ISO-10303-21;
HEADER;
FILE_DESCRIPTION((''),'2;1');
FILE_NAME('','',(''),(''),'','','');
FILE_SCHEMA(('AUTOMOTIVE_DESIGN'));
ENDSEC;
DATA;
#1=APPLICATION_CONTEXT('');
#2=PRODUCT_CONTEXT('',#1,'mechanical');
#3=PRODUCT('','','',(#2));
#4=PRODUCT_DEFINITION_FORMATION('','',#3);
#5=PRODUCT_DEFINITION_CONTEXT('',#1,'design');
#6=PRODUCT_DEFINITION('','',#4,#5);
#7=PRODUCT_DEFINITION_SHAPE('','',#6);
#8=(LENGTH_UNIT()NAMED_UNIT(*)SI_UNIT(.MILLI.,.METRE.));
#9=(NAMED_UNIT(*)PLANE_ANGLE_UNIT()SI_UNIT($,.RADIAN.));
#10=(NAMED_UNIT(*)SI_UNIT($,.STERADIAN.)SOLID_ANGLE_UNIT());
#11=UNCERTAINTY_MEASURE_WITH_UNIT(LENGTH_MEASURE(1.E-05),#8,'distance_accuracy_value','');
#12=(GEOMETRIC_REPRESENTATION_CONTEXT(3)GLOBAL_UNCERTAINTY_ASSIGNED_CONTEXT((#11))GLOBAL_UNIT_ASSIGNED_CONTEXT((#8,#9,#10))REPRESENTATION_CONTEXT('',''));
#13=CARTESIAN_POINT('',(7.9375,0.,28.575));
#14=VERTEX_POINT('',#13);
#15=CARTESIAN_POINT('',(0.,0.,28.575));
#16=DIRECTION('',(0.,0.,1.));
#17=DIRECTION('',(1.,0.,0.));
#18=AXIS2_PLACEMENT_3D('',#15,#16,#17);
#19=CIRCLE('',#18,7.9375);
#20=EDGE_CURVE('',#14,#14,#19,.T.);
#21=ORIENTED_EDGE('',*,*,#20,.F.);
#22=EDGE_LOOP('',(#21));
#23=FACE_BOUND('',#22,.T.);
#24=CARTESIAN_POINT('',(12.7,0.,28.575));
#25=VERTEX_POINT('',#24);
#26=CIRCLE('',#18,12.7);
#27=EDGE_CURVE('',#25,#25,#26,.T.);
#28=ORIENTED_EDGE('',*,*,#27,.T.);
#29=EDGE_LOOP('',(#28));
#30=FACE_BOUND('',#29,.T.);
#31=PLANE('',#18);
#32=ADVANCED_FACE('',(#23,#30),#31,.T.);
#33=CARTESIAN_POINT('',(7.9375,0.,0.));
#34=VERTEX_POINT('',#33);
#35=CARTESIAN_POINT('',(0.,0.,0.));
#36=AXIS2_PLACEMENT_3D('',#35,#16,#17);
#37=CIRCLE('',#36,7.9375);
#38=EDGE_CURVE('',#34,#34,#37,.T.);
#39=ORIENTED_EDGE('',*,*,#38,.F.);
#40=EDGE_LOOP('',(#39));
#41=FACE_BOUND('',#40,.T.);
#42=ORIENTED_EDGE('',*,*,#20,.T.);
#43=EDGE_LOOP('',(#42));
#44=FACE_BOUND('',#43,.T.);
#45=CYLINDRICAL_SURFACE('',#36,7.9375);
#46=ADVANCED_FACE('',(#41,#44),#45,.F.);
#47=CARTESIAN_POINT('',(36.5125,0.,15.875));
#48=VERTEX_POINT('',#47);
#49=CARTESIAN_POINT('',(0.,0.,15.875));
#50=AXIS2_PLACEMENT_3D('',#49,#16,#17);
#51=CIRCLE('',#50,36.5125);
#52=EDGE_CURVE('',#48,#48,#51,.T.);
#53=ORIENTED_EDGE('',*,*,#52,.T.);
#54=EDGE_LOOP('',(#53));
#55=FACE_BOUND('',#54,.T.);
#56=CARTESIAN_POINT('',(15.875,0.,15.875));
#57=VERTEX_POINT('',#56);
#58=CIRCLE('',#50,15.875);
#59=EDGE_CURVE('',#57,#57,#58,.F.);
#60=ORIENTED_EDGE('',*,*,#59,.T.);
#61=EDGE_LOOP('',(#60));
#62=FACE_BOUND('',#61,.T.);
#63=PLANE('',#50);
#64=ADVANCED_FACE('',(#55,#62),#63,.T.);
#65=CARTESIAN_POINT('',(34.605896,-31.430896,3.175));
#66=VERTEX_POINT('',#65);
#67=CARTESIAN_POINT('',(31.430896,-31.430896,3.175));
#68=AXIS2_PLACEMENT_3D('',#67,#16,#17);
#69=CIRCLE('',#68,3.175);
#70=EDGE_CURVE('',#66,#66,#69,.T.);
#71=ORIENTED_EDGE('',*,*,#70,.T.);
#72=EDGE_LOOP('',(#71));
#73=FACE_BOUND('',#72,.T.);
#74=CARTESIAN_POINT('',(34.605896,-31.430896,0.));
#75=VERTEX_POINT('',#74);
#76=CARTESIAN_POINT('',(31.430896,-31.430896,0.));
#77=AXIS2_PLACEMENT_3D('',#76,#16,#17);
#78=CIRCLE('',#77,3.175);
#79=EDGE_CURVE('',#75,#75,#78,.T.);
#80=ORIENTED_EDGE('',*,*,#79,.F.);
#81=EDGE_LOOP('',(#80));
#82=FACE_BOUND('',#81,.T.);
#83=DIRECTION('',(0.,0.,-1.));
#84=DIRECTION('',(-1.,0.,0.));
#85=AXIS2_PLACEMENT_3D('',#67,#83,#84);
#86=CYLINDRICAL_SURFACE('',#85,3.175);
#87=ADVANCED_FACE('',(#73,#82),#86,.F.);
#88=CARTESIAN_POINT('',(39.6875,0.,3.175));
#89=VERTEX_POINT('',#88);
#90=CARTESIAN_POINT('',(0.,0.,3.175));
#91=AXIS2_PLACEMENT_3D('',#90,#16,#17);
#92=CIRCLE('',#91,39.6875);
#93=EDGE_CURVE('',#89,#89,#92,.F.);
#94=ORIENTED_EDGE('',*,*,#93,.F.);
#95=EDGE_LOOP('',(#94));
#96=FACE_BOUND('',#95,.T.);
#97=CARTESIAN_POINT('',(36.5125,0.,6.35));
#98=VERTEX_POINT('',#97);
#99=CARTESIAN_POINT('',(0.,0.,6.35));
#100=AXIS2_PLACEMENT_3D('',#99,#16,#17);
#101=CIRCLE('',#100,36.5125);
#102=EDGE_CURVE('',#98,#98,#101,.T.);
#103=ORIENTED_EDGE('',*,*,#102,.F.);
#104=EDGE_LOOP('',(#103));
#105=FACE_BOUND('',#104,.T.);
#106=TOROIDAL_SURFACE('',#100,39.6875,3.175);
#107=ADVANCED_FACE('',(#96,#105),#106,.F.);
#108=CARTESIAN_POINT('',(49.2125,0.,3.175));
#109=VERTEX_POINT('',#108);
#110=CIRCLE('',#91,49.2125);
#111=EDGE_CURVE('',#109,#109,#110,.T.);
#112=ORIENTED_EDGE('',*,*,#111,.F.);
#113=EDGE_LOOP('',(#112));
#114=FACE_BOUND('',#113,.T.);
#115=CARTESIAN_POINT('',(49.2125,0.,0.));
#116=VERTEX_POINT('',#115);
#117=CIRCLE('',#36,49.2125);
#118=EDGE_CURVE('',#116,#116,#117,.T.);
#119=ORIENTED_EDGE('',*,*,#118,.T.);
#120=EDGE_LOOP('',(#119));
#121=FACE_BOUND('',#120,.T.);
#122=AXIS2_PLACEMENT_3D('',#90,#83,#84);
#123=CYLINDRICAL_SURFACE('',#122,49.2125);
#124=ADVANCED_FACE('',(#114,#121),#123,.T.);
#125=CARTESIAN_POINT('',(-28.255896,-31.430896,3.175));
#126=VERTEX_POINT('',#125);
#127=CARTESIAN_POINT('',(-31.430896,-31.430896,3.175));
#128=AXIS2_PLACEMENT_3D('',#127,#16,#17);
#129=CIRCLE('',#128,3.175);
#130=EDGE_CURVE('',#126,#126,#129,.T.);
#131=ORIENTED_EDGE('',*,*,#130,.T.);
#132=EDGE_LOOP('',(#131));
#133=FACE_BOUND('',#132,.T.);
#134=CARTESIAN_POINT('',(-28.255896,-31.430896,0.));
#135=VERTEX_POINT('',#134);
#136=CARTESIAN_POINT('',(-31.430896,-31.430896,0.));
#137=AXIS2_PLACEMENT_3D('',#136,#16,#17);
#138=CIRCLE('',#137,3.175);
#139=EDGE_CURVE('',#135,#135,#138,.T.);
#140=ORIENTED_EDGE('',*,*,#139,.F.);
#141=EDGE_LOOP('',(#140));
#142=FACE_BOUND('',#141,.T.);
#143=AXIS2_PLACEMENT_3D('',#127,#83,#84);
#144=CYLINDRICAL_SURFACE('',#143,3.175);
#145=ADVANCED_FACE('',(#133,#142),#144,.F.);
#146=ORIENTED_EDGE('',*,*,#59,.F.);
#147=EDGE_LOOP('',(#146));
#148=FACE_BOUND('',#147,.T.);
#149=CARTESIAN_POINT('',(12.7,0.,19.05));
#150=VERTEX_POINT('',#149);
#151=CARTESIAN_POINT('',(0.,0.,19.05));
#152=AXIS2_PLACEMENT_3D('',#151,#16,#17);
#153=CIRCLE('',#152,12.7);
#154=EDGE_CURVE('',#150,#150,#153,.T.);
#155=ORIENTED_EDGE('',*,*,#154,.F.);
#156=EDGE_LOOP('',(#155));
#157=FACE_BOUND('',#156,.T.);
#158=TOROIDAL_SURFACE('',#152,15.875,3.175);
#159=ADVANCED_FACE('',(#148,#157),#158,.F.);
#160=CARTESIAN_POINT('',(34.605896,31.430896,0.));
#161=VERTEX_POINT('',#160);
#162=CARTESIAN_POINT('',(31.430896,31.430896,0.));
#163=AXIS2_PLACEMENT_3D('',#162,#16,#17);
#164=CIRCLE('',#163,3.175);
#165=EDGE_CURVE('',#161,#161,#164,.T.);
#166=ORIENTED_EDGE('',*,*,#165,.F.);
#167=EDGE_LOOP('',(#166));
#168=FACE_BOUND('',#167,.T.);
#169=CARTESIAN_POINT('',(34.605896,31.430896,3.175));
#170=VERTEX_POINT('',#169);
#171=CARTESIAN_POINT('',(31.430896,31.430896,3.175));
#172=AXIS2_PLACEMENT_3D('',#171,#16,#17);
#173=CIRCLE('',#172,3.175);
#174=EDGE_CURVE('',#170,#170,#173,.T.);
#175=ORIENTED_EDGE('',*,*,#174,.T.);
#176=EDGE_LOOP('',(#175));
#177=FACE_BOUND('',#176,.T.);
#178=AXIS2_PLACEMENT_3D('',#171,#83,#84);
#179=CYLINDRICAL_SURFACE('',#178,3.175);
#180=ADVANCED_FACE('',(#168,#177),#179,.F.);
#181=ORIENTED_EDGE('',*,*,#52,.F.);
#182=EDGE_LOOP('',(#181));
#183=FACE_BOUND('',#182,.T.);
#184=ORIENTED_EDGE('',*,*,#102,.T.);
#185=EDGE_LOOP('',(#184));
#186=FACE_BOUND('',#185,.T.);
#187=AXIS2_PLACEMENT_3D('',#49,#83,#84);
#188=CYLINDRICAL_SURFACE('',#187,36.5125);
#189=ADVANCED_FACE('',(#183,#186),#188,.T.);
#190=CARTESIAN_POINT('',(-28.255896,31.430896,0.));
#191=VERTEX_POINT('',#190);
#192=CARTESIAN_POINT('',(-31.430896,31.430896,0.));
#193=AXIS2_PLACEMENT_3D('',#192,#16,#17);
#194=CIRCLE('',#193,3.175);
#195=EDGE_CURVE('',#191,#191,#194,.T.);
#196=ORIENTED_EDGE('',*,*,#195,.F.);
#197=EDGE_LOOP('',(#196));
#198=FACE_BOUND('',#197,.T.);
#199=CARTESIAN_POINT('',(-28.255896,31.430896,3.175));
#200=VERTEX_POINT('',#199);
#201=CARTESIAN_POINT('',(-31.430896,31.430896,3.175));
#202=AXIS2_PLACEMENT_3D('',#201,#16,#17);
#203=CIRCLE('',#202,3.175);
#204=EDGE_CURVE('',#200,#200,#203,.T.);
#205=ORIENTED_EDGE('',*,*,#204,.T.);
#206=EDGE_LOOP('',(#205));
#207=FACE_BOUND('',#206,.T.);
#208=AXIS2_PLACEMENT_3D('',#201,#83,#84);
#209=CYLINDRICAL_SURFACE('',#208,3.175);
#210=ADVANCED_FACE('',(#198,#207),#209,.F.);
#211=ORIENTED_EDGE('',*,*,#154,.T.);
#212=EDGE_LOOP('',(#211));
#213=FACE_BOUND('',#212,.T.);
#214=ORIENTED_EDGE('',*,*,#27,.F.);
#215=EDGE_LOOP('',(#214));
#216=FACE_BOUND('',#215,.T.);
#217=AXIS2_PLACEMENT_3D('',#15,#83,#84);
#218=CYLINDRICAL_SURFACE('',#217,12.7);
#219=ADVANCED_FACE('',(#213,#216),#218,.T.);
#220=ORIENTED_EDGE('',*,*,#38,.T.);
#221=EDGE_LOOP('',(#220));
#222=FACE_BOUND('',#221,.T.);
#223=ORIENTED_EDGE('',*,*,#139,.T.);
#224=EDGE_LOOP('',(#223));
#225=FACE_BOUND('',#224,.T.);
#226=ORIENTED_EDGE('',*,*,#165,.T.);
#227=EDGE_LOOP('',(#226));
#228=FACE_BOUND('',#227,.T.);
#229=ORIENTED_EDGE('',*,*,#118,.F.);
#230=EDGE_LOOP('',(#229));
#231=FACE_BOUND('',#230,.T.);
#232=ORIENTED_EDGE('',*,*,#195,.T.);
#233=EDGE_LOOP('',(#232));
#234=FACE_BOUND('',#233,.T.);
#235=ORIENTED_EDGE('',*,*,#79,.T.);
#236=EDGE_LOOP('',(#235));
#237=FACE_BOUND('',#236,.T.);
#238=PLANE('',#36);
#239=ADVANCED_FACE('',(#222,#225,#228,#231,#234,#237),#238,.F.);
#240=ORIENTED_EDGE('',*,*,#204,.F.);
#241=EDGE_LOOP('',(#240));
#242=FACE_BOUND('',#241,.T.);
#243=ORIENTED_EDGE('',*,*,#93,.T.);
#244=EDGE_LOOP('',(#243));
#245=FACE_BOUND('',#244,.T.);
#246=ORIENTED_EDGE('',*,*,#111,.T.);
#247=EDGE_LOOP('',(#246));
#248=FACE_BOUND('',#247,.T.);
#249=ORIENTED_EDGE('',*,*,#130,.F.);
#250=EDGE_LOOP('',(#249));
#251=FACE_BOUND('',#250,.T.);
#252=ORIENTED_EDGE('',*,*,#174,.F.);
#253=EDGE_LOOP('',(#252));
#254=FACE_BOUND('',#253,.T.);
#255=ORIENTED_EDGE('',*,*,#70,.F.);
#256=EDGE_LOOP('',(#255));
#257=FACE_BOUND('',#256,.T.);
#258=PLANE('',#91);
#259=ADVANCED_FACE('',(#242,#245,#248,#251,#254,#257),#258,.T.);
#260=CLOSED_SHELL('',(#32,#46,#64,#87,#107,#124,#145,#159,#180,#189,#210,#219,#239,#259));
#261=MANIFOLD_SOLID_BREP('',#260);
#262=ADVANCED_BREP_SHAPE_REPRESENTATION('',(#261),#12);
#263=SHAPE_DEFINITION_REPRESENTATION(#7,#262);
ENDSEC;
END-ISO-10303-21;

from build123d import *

# Parameters (mm, degrees)
SKETCH1_R           = 49.2125
SKETCH1_R_2         = 3.175
BASE_EXTRUDE_DEPTH  = 3.175
SKETCH2_R           = 36.5125
BOSS_EXTRUDE1_DEPTH = 12.7
SKETCH3_R           = 12.7
BOSS_EXTRUDE2_DEPTH = 12.7
FILLET1_R           = 3.175
SKETCH4_R           = 7.9375
CUT_EXTRUDE1_DEPTH  = 76.23477213


with BuildPart() as part:
    # Sketch1 → Base-Extrude (new body)
    with BuildSketch(Plane.XY):
        Circle(SKETCH1_R)
        with Locations((31.430896424, 31.430896424)):
            Circle(SKETCH1_R_2, mode=Mode.SUBTRACT)
        with Locations((-31.430896424, -31.430896424)):
            Circle(SKETCH1_R_2, mode=Mode.SUBTRACT)
        with Locations((31.430896424, -31.430896424)):
            Circle(SKETCH1_R_2, mode=Mode.SUBTRACT)
        with Locations((-31.430896424, 31.430896424)):
            Circle(SKETCH1_R_2, mode=Mode.SUBTRACT)
    extrude(amount=BASE_EXTRUDE_DEPTH)

    # Sketch2 → Boss-Extrude1 (add)
    with BuildSketch(Plane.XY.offset(3.175)):
        Circle(SKETCH2_R)
    extrude(amount=BOSS_EXTRUDE1_DEPTH)

    # Sketch3 → Boss-Extrude2 (add)
    with BuildSketch(Plane.XY.offset(15.875)):
        Circle(SKETCH3_R)
    extrude(amount=BOSS_EXTRUDE2_DEPTH)

    # Fillet1
    fillet1_edges = [part.edges().sort_by_distance(p)[0] for p in [
        (-36.5125, 0, 3.175),
        (-12.7, 0, 15.875),
    ]]
    fillet(fillet1_edges, radius=FILLET1_R)

    # Sketch4 → Cut-Extrude1 (cut, through all)
    with BuildSketch(Plane.XY.offset(28.575)):
        Circle(SKETCH4_R)
    extrude(amount=-CUT_EXTRUDE1_DEPTH, mode=Mode.SUBTRACT)


solid = part.part
